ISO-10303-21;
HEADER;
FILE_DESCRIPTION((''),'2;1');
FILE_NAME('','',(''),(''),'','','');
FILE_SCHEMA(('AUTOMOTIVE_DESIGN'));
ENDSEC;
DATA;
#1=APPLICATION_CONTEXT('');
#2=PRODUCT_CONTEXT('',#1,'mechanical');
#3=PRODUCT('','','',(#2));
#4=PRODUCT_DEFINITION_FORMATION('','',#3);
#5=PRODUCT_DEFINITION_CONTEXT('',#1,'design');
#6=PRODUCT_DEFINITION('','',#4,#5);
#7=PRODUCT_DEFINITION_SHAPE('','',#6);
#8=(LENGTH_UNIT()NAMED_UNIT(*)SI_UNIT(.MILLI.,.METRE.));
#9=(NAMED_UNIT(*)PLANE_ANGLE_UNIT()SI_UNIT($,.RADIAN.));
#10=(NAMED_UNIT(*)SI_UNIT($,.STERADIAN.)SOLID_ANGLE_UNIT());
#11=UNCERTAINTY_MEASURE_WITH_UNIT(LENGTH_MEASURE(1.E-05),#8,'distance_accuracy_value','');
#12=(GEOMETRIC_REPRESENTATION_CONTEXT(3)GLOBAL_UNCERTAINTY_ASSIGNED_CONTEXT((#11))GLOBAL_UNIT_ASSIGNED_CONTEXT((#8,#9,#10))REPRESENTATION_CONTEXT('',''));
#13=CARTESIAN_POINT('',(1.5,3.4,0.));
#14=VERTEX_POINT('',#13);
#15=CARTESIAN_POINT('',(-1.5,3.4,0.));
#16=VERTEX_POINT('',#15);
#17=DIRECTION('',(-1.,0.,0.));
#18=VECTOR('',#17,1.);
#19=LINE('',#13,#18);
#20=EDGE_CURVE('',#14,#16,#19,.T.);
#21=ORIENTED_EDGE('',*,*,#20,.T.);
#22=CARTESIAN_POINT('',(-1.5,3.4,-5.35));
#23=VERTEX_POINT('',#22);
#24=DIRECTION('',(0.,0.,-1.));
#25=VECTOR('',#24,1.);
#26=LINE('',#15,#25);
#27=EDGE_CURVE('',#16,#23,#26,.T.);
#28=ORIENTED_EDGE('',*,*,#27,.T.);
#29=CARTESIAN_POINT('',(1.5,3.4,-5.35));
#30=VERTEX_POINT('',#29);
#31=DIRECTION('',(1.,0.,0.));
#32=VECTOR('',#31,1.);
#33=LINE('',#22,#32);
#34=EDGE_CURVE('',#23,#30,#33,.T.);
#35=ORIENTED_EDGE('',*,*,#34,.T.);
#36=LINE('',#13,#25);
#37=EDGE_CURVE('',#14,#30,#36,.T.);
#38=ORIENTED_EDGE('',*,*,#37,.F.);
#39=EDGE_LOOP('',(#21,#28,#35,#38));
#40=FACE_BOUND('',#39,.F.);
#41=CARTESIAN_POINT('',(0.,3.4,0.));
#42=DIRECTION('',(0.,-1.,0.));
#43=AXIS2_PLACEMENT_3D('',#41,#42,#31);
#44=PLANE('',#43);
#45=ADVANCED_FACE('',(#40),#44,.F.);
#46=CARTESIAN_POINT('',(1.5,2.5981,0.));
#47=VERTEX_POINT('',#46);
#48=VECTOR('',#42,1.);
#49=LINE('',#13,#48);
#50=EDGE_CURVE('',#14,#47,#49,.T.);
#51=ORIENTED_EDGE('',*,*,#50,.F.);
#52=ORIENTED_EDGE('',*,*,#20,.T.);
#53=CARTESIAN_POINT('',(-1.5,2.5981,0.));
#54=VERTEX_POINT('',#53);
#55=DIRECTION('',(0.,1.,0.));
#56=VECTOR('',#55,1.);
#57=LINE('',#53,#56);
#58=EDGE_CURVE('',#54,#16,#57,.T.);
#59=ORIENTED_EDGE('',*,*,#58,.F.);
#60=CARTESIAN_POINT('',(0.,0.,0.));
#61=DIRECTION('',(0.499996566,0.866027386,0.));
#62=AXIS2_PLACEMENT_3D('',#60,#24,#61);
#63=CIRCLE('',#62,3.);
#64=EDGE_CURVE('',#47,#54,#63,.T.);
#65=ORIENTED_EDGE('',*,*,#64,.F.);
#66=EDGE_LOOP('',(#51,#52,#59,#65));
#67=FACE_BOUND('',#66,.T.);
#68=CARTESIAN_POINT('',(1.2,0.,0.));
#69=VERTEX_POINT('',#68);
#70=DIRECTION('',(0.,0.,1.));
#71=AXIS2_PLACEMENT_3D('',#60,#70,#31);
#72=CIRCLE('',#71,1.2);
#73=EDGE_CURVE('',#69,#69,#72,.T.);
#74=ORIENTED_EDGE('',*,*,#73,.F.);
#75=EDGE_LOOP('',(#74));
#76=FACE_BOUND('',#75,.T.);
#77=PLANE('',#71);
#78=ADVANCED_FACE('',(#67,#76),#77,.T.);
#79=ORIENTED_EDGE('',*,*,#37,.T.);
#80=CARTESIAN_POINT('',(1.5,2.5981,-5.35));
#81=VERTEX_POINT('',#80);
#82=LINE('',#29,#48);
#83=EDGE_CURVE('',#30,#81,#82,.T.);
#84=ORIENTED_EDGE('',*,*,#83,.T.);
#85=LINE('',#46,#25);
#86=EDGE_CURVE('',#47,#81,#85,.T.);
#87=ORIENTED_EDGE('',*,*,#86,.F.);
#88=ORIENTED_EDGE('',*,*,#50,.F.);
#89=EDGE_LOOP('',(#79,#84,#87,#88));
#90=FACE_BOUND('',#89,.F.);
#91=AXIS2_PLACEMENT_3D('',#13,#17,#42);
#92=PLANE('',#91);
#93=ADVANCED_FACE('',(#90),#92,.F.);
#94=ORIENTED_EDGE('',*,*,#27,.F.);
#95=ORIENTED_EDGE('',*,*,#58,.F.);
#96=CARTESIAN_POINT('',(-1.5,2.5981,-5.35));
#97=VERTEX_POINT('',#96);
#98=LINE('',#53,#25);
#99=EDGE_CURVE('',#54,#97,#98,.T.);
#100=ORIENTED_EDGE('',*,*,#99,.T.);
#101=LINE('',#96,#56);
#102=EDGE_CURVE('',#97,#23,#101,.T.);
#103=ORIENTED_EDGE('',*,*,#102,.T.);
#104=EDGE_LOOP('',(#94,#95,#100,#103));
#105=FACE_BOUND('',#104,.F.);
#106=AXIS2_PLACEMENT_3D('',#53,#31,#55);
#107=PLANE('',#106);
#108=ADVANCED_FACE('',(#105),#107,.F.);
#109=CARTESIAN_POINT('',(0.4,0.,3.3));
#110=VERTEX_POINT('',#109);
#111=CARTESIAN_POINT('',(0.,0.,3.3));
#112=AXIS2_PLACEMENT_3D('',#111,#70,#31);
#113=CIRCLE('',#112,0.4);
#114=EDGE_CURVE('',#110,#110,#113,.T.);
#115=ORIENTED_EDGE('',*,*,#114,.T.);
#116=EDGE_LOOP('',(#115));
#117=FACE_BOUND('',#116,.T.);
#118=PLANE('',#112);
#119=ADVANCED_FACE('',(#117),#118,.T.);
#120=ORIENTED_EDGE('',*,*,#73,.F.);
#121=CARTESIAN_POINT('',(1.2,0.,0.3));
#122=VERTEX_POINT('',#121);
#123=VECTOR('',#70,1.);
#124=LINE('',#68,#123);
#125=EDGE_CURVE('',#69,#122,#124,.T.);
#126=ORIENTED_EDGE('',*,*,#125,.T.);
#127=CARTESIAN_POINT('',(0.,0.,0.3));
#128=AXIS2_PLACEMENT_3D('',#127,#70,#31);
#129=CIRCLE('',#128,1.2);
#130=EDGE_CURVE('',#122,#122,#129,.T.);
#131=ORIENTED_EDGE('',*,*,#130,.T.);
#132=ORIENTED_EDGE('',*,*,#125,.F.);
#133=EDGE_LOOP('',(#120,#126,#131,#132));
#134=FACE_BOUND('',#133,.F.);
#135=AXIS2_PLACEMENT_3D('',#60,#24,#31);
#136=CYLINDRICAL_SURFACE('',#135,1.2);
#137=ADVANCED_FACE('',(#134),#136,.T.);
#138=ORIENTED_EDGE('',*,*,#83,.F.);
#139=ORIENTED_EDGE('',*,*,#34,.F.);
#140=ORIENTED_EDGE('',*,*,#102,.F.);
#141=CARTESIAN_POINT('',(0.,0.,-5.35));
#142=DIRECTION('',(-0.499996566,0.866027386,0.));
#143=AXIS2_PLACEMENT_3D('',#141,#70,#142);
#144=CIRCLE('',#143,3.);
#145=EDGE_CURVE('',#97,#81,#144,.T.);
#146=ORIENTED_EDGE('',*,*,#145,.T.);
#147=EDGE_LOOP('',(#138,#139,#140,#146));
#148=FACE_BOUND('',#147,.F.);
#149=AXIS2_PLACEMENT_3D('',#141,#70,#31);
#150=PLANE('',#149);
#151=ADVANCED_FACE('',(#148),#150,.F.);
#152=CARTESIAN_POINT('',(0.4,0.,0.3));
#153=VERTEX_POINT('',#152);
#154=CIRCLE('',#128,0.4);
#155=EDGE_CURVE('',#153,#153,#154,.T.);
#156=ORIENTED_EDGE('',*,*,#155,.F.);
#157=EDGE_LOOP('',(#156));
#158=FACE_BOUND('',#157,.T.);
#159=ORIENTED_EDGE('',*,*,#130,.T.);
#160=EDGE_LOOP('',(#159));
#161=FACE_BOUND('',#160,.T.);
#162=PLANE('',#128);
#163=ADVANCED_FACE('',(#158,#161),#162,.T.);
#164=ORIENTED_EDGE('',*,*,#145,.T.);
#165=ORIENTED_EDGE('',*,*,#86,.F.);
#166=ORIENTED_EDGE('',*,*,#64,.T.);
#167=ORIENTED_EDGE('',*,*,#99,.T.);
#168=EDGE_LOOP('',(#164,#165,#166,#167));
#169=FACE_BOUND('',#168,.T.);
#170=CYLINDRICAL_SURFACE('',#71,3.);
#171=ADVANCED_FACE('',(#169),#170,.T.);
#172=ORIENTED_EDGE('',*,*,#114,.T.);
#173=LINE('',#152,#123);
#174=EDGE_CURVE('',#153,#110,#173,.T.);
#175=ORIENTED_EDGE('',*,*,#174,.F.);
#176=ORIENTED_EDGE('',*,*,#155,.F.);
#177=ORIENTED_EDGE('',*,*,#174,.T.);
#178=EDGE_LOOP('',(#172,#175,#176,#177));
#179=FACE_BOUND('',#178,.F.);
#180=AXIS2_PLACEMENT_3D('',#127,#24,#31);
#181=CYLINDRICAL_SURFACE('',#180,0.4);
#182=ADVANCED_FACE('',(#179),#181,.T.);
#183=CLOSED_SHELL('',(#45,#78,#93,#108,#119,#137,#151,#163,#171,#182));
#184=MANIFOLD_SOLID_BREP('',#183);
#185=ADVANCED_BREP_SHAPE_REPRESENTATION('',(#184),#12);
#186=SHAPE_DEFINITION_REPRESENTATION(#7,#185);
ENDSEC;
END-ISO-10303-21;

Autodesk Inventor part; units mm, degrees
ref_plane "YZ Plane" through (0, 0, 0) normal (1, 0, 0) x (0, 1, 0)
ref_plane "XZ Plane" through (0, 0, 0) normal (0, 1, 0) x (-1, 0, 0)
ref_plane "XY Plane" through (0, 0, 0) normal (0, 0, 1) x (1, 0, 0)
sketch "Sketch1" plane through (0, 0, 0) normal (0, 0, 1) x (1, 0, 0)
  circle A0 centre (0, 0) radius 3
  line L0 (-1.5, 2.5981) -> (-1.5, 3.4)
  line L1 (-1.5, 3.4) -> (1.5, 3.4)
  line L2 (1.5, 3.4) -> (1.5, 2.5981)
  line L3 (0, 4.68) -> (0, -4.28) projected
  line L4 (-4.2, 0) -> (4.2, 0) projected
  dimension "d0" = 6
  dimension "d1" = 3.4
  dimension "d2" = 3
extrude "Body" add sketch "Sketch1" against normal blind 5.35
sketch "Sketch2" plane through (0, 0, 0) normal (0, 0, 1) x (1, 0, 0)
  circle A0 centre (0, 0) radius 1.2
  dimension "d5" = 2.4
extrude "Face Boss" add sketch "Sketch2" along normal blind 0.3
sketch "Sketch3" plane through (0, 0, 0.3) normal (0, 0, 1) x (1, 0, 0)
  circle A0 centre (0, 0) radius 0.4
  dimension "d8" = 0.8
extrude "Extrusion3" add sketch "Sketch3" along normal blind 3
properties part number "Minebea_SMS6-20_StepperMotor_Mockup"
